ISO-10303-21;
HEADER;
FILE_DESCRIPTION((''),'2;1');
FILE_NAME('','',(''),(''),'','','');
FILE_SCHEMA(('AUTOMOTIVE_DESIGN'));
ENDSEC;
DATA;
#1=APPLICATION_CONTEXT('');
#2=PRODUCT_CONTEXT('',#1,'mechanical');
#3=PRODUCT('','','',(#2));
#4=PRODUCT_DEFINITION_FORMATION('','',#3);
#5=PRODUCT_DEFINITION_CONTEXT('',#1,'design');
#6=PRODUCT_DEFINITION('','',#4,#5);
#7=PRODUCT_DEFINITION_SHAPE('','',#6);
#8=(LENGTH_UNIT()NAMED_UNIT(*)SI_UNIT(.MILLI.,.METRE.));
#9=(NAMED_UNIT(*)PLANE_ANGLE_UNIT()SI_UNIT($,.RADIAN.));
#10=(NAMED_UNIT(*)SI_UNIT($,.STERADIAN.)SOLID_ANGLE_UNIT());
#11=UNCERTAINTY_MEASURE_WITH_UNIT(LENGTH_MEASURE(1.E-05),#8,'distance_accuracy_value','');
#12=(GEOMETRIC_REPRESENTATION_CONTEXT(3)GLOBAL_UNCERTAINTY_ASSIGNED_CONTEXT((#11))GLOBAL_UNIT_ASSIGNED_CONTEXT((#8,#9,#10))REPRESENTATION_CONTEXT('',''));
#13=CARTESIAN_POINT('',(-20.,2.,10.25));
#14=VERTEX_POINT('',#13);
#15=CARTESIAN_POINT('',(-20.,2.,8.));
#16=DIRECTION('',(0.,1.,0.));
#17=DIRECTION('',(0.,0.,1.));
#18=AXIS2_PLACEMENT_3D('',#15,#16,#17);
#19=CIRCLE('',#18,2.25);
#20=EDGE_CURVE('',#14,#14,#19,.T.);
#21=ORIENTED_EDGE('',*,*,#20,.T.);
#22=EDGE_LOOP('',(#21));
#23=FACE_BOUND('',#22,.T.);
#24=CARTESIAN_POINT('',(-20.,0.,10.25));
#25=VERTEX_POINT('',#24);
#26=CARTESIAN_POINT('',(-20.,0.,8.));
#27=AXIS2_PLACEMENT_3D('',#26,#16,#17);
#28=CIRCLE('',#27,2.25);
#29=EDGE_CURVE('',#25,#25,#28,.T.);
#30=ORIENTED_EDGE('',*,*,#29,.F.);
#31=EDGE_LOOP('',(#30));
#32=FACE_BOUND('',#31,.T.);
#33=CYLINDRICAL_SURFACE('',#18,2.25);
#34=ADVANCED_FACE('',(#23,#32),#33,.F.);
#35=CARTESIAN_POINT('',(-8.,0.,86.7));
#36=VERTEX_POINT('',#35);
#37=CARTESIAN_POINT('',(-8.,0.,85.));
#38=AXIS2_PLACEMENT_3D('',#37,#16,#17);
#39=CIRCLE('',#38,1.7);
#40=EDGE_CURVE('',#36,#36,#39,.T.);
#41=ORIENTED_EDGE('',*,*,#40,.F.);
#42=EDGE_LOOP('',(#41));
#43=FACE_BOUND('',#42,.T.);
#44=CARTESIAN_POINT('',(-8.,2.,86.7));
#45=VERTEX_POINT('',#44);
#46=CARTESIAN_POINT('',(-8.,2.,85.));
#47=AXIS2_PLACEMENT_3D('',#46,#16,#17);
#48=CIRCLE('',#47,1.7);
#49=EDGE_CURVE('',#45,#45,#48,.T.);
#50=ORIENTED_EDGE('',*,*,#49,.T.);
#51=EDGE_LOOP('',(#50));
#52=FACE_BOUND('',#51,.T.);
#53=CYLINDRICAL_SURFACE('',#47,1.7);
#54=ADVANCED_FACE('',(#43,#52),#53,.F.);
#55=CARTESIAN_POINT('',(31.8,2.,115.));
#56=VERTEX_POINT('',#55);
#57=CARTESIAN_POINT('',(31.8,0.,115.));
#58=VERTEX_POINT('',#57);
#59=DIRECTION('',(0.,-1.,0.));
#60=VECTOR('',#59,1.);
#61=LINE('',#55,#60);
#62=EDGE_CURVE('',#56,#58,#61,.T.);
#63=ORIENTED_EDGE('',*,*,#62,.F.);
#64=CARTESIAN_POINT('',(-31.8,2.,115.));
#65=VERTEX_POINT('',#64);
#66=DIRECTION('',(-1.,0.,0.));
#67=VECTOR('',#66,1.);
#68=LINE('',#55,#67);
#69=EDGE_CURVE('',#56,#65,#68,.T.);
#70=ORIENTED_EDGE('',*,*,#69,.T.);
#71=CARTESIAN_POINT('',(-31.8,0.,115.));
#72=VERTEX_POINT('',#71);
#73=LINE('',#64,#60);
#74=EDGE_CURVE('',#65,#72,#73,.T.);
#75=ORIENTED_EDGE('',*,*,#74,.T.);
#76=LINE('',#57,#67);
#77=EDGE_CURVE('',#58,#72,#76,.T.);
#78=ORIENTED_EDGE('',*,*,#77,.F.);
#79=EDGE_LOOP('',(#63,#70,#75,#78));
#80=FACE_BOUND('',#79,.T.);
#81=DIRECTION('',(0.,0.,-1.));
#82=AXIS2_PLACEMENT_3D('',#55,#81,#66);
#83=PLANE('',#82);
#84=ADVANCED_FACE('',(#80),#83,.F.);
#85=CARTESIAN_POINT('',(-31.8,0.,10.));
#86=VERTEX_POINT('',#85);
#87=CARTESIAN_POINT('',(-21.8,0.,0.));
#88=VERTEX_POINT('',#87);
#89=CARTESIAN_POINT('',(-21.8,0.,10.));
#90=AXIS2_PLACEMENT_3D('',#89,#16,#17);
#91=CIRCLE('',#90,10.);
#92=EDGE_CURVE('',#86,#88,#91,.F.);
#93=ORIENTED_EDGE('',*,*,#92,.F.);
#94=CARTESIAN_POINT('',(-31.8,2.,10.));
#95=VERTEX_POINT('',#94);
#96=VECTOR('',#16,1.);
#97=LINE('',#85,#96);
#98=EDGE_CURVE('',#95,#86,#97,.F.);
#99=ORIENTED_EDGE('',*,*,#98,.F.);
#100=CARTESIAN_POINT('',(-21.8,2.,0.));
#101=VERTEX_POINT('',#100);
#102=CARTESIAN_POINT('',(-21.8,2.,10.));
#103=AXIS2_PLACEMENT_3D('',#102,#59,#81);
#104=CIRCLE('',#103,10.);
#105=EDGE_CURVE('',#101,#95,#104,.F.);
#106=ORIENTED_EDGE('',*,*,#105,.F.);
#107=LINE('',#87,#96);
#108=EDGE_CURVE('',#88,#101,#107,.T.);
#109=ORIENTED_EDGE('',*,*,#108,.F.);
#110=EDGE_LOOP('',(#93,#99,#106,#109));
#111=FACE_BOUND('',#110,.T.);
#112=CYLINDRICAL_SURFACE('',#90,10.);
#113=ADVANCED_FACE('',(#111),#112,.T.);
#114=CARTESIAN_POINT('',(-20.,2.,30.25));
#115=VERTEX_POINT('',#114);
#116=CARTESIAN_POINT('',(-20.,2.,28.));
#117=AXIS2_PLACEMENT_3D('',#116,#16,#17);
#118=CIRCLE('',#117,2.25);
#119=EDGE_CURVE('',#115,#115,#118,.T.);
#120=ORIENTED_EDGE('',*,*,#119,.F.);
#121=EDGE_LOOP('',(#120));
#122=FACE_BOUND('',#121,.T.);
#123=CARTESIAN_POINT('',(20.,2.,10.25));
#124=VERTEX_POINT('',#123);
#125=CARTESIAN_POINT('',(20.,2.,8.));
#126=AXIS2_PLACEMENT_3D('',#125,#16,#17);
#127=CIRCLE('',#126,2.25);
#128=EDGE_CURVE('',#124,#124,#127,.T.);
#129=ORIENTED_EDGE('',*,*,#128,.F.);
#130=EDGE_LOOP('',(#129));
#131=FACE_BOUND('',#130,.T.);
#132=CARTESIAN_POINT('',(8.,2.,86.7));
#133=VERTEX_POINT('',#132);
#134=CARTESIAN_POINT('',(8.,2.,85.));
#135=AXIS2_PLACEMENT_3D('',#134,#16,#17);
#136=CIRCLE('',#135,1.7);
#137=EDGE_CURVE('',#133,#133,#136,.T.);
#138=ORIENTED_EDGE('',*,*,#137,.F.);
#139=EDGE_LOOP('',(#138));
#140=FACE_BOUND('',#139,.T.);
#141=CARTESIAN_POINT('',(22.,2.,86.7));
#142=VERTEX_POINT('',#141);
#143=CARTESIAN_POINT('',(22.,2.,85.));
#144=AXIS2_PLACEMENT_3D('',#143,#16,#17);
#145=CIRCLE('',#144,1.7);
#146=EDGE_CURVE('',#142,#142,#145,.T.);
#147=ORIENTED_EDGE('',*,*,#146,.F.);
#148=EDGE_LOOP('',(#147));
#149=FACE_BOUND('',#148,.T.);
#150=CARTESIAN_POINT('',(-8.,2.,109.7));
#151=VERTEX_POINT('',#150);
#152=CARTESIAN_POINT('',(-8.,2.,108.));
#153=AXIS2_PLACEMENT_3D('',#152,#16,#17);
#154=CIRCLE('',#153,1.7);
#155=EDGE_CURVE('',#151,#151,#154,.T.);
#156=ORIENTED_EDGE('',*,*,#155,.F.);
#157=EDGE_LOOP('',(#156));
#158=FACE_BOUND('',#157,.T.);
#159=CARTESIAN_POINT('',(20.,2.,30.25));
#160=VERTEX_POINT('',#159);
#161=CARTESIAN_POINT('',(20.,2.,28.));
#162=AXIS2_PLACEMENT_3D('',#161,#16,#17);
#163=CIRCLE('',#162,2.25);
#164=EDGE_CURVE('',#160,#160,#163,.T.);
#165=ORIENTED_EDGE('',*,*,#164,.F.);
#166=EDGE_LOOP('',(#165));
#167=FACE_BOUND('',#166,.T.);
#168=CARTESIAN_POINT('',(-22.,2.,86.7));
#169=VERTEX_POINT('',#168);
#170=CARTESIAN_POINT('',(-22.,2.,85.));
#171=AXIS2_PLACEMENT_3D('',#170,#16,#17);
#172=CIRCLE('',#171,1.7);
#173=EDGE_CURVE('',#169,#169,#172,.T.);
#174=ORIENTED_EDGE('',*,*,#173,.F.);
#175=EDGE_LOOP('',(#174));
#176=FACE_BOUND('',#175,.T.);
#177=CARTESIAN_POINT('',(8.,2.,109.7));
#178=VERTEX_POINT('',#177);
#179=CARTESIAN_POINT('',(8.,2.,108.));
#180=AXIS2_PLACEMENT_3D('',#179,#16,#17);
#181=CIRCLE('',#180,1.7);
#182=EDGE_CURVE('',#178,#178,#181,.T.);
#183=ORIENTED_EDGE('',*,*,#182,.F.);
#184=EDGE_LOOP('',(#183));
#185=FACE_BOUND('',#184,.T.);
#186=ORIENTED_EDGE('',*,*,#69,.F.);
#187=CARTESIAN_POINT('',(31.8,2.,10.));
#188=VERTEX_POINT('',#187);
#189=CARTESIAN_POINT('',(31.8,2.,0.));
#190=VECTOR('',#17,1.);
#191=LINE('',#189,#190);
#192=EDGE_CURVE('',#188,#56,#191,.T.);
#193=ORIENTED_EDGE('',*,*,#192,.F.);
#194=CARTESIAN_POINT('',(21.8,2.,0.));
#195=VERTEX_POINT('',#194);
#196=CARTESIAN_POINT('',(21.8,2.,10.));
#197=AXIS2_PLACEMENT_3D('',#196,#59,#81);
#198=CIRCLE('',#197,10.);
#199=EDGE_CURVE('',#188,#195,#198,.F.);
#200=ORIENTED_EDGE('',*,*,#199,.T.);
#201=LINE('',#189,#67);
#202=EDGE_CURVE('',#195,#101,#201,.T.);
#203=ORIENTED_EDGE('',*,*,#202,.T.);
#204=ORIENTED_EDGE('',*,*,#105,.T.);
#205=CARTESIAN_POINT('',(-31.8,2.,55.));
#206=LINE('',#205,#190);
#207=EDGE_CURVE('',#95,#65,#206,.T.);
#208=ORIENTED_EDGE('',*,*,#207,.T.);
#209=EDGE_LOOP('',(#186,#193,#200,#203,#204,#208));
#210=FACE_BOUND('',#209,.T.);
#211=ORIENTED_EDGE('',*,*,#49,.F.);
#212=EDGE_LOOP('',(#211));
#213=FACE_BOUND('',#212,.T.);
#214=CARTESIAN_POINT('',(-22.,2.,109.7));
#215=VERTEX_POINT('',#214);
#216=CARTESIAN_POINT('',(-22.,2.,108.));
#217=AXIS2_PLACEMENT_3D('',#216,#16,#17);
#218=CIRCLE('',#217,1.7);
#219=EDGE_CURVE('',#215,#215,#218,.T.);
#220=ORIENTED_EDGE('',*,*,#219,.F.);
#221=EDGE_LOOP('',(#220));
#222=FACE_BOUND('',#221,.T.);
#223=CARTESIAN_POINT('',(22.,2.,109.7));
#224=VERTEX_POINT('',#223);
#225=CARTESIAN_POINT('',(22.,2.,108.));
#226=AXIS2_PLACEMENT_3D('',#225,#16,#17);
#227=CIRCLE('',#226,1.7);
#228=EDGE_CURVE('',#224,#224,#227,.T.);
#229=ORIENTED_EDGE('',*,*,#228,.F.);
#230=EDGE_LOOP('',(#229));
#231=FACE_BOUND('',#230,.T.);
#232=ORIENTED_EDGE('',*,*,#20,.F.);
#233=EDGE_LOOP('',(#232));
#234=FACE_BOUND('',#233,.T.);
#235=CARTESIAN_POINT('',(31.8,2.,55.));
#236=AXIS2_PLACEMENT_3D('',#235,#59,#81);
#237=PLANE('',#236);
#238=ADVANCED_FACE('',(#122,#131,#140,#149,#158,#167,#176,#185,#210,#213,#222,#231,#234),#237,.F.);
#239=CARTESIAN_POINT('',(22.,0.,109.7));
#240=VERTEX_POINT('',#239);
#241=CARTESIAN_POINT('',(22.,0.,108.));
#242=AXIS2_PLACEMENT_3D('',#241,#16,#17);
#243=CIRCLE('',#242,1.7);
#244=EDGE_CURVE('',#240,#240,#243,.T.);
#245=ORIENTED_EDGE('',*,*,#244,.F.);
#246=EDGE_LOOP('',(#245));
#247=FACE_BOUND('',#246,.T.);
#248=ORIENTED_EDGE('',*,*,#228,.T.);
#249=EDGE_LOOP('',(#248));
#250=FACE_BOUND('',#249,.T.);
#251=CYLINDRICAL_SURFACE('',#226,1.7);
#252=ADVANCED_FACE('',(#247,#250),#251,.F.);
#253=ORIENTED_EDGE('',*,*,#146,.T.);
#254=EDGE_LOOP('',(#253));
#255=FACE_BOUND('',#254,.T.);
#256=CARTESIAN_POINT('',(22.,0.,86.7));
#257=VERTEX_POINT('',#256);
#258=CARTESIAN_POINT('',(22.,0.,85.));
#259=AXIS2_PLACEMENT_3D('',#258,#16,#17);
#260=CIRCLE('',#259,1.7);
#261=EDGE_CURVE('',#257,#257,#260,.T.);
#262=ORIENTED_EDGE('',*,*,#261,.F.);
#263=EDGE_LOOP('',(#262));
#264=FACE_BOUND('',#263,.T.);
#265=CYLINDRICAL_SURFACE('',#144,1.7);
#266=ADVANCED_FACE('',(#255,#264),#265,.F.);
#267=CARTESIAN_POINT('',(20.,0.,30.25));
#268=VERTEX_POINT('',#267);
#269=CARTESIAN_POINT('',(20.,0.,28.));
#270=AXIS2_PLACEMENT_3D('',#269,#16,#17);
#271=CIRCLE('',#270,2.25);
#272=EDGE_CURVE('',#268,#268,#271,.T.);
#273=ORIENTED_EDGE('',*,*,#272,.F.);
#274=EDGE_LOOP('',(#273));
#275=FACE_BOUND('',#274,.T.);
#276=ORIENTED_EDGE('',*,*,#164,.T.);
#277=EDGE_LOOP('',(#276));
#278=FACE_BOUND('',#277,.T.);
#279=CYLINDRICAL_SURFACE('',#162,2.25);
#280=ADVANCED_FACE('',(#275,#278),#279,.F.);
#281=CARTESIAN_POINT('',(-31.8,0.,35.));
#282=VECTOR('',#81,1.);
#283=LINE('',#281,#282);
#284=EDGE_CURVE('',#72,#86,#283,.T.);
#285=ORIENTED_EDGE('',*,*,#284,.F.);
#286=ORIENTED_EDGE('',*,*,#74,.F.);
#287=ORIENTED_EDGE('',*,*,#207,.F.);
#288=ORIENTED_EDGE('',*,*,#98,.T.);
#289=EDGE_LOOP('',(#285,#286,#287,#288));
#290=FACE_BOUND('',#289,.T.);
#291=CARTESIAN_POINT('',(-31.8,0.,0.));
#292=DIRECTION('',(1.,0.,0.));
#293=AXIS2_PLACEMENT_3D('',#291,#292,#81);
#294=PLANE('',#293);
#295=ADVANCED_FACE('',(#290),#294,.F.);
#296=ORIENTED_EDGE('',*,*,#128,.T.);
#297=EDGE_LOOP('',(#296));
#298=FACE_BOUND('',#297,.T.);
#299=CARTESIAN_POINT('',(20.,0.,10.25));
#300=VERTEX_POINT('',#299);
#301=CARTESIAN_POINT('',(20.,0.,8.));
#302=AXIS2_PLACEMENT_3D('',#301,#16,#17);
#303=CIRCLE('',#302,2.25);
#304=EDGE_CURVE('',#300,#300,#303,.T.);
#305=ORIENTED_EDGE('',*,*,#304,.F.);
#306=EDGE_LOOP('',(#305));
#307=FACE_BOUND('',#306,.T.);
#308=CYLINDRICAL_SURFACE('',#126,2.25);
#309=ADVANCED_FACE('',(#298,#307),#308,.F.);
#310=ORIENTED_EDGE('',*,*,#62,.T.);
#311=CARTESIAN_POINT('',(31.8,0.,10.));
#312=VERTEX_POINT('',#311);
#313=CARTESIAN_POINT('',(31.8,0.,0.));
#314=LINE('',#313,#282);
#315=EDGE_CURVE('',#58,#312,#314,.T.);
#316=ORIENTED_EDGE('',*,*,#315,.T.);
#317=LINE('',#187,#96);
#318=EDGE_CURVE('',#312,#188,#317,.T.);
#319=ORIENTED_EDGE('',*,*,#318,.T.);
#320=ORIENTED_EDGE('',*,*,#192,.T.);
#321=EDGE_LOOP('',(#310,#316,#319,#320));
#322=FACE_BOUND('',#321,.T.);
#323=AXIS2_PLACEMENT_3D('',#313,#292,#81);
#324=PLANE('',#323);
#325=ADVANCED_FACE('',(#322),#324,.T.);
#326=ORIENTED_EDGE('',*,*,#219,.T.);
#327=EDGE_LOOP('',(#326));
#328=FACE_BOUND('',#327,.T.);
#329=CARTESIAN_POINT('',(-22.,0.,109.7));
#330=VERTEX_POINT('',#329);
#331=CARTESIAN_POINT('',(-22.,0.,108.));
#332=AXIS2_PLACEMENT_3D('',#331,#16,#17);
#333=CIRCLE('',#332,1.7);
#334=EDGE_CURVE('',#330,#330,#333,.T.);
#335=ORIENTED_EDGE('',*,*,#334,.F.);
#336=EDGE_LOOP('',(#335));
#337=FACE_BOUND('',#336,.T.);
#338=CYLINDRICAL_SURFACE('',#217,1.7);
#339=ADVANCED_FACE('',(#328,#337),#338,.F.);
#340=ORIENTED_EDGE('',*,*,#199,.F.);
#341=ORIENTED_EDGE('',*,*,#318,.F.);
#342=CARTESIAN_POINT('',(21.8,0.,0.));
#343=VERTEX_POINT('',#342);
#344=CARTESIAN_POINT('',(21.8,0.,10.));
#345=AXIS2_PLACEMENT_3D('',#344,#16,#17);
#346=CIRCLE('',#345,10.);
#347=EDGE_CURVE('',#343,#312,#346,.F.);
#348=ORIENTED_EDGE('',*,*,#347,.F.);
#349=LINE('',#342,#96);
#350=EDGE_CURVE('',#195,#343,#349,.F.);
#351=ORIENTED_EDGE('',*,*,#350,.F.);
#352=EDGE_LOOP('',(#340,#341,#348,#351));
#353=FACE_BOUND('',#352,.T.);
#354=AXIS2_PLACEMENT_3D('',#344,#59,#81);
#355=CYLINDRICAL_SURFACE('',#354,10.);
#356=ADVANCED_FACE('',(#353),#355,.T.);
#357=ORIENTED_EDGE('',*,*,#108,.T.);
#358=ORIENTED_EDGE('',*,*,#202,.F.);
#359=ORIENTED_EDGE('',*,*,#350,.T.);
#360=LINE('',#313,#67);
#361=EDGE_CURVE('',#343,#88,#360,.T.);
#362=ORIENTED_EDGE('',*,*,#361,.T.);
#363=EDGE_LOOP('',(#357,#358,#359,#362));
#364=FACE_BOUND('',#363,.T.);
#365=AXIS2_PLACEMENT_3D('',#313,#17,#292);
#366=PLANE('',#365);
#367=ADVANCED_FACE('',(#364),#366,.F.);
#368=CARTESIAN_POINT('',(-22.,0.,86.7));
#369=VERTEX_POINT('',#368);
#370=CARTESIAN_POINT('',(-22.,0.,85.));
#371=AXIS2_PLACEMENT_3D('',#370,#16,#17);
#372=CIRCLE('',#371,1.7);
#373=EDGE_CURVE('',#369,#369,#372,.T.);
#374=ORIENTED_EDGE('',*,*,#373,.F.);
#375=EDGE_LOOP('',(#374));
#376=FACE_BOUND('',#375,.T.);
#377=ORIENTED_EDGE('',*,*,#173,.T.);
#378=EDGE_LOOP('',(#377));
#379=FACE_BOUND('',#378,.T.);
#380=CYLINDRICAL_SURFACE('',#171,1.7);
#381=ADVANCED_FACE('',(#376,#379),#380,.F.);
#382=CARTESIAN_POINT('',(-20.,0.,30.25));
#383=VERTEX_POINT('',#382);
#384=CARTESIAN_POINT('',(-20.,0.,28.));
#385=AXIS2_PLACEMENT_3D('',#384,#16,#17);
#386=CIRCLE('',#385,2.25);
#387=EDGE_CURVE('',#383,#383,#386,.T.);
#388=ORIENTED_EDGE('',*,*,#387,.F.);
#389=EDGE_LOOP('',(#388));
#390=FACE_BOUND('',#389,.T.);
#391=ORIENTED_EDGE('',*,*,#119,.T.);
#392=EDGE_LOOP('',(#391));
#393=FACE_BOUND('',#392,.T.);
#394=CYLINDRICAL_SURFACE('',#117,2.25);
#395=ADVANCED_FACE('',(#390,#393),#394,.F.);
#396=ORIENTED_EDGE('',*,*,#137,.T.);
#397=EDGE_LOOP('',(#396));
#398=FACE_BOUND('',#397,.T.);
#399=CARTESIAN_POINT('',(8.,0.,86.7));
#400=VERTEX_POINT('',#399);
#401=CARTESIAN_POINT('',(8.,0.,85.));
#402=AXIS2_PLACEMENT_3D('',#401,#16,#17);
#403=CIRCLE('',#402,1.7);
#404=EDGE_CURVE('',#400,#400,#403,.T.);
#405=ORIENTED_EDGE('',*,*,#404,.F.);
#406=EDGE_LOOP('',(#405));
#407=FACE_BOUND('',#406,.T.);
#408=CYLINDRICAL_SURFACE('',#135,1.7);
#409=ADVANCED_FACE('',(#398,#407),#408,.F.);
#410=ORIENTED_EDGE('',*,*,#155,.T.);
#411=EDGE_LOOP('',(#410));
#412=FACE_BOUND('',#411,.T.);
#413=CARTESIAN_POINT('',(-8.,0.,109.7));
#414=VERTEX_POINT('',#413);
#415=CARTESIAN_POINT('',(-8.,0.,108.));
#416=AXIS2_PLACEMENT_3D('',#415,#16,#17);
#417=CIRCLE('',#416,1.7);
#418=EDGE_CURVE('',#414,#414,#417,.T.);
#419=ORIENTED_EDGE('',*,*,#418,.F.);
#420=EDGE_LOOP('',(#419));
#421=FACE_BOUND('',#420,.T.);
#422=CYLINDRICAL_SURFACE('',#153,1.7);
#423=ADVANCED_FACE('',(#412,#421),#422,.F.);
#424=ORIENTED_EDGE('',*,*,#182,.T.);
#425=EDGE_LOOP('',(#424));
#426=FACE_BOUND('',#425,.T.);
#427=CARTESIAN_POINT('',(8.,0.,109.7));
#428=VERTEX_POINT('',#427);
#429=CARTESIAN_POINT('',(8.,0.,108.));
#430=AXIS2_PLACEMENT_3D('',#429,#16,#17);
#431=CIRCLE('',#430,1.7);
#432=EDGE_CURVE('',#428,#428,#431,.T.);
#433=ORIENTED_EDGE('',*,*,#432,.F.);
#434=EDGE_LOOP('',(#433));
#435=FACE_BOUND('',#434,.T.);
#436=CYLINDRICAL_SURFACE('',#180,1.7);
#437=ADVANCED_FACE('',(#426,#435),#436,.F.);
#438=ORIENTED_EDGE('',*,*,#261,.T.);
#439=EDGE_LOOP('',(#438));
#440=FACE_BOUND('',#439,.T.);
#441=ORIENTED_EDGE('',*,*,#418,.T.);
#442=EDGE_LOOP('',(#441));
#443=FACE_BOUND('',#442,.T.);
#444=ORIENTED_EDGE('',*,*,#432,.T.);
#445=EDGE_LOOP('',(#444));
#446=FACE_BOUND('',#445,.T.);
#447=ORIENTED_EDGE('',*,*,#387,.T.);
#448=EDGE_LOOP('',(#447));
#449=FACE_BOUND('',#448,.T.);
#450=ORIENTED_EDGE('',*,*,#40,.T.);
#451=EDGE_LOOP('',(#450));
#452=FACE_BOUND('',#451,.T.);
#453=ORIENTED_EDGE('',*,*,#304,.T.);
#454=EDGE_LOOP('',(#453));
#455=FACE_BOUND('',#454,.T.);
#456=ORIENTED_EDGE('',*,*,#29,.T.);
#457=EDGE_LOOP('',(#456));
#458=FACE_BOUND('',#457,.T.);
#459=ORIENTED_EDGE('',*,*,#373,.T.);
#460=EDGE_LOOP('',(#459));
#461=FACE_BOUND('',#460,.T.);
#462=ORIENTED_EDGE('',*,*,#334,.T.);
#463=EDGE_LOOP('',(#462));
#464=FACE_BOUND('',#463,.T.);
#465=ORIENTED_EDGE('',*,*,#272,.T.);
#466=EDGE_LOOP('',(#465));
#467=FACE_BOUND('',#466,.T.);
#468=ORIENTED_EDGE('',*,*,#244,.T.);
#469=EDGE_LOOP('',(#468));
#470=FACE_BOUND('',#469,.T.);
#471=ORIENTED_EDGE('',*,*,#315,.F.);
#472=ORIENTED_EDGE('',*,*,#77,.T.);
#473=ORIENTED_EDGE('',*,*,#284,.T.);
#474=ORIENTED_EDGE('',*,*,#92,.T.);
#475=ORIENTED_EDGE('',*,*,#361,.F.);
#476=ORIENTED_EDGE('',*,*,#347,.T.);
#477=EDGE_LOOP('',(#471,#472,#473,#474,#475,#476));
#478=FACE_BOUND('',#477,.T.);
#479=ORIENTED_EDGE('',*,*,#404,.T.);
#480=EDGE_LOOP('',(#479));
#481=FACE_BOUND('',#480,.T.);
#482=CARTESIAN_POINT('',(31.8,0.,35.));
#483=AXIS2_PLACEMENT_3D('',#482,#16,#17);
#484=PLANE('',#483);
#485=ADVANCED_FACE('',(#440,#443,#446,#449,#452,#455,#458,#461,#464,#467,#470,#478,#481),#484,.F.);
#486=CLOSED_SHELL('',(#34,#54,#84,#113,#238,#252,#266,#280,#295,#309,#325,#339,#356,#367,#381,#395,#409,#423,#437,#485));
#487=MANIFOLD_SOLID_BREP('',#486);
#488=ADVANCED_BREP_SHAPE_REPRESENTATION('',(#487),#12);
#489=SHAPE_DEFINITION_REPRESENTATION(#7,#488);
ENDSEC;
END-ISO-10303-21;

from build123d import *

# Parameters (mm, degrees)
SHEET_EXTRUDE_DEPTH      = 31.8
M3_CLEARANCE_HOLE1_D     = 3.4
M3_CLEARANCE_HOLE1_DEPTH = 8.5
M3_CLEARANCE_HOLE1_TIP   = 1.021463052
M4_CLEARANCE_HOLE1_D     = 4.5
M4_CLEARANCE_HOLE1_DEPTH = 8.5
M4_CLEARANCE_HOLE1_TIP   = 1.351936393
FILLET1_R                = 10


with BuildPart() as part:
    # Sketch2 → Sheet Extrude (new body, symmetric)
    with BuildSketch(Plane(origin=(0, 0, 0), x_dir=(0, 0, -1), z_dir=(1, 0, 0))):
        Polygon((0, 0), (0, 2), (-35, 2), (-55, 2), (-115, 2), (-115, 0), (-55, 0), (-35, 0), align=None)
    extrude(amount=SHEET_EXTRUDE_DEPTH, both=True)

    # M3 Clearance Hole1
    with Locations(Plane(origin=(0, 2, 0), x_dir=(1, 0, 0), z_dir=(0, 1, 0))):
        with Locations((-22, -108), (-22, -85), (-8, -85), (-8, -108), (22, -108), (8, -108), (8, -85), (22, -85)):
            Hole(M3_CLEARANCE_HOLE1_D / 2, depth=M3_CLEARANCE_HOLE1_DEPTH)
            with Locations((0, 0, -(M3_CLEARANCE_HOLE1_DEPTH + M3_CLEARANCE_HOLE1_TIP / 2))):  # 118° drill point
                Cone(0, M3_CLEARANCE_HOLE1_D / 2, M3_CLEARANCE_HOLE1_TIP, mode=Mode.SUBTRACT)

    # M4 Clearance Hole1
    with Locations(Plane(origin=(0, 2, 0), x_dir=(1, 0, 0), z_dir=(0, 1, 0))):
        with Locations((-20, -28), (20, -28), (20, -8), (-20, -8)):
            Hole(M4_CLEARANCE_HOLE1_D / 2, depth=M4_CLEARANCE_HOLE1_DEPTH)
            with Locations((0, 0, -(M4_CLEARANCE_HOLE1_DEPTH + M4_CLEARANCE_HOLE1_TIP / 2))):  # 118° drill point
                Cone(0, M4_CLEARANCE_HOLE1_D / 2, M4_CLEARANCE_HOLE1_TIP, mode=Mode.SUBTRACT)

    # Fillet1
    fillet1_edges = [part.edges().sort_by_distance(p)[0] for p in [
        (-31.8, 1, 0),
        (31.8, 1, 0),
    ]]
    fillet(fillet1_edges, radius=FILLET1_R)


solid = part.part
